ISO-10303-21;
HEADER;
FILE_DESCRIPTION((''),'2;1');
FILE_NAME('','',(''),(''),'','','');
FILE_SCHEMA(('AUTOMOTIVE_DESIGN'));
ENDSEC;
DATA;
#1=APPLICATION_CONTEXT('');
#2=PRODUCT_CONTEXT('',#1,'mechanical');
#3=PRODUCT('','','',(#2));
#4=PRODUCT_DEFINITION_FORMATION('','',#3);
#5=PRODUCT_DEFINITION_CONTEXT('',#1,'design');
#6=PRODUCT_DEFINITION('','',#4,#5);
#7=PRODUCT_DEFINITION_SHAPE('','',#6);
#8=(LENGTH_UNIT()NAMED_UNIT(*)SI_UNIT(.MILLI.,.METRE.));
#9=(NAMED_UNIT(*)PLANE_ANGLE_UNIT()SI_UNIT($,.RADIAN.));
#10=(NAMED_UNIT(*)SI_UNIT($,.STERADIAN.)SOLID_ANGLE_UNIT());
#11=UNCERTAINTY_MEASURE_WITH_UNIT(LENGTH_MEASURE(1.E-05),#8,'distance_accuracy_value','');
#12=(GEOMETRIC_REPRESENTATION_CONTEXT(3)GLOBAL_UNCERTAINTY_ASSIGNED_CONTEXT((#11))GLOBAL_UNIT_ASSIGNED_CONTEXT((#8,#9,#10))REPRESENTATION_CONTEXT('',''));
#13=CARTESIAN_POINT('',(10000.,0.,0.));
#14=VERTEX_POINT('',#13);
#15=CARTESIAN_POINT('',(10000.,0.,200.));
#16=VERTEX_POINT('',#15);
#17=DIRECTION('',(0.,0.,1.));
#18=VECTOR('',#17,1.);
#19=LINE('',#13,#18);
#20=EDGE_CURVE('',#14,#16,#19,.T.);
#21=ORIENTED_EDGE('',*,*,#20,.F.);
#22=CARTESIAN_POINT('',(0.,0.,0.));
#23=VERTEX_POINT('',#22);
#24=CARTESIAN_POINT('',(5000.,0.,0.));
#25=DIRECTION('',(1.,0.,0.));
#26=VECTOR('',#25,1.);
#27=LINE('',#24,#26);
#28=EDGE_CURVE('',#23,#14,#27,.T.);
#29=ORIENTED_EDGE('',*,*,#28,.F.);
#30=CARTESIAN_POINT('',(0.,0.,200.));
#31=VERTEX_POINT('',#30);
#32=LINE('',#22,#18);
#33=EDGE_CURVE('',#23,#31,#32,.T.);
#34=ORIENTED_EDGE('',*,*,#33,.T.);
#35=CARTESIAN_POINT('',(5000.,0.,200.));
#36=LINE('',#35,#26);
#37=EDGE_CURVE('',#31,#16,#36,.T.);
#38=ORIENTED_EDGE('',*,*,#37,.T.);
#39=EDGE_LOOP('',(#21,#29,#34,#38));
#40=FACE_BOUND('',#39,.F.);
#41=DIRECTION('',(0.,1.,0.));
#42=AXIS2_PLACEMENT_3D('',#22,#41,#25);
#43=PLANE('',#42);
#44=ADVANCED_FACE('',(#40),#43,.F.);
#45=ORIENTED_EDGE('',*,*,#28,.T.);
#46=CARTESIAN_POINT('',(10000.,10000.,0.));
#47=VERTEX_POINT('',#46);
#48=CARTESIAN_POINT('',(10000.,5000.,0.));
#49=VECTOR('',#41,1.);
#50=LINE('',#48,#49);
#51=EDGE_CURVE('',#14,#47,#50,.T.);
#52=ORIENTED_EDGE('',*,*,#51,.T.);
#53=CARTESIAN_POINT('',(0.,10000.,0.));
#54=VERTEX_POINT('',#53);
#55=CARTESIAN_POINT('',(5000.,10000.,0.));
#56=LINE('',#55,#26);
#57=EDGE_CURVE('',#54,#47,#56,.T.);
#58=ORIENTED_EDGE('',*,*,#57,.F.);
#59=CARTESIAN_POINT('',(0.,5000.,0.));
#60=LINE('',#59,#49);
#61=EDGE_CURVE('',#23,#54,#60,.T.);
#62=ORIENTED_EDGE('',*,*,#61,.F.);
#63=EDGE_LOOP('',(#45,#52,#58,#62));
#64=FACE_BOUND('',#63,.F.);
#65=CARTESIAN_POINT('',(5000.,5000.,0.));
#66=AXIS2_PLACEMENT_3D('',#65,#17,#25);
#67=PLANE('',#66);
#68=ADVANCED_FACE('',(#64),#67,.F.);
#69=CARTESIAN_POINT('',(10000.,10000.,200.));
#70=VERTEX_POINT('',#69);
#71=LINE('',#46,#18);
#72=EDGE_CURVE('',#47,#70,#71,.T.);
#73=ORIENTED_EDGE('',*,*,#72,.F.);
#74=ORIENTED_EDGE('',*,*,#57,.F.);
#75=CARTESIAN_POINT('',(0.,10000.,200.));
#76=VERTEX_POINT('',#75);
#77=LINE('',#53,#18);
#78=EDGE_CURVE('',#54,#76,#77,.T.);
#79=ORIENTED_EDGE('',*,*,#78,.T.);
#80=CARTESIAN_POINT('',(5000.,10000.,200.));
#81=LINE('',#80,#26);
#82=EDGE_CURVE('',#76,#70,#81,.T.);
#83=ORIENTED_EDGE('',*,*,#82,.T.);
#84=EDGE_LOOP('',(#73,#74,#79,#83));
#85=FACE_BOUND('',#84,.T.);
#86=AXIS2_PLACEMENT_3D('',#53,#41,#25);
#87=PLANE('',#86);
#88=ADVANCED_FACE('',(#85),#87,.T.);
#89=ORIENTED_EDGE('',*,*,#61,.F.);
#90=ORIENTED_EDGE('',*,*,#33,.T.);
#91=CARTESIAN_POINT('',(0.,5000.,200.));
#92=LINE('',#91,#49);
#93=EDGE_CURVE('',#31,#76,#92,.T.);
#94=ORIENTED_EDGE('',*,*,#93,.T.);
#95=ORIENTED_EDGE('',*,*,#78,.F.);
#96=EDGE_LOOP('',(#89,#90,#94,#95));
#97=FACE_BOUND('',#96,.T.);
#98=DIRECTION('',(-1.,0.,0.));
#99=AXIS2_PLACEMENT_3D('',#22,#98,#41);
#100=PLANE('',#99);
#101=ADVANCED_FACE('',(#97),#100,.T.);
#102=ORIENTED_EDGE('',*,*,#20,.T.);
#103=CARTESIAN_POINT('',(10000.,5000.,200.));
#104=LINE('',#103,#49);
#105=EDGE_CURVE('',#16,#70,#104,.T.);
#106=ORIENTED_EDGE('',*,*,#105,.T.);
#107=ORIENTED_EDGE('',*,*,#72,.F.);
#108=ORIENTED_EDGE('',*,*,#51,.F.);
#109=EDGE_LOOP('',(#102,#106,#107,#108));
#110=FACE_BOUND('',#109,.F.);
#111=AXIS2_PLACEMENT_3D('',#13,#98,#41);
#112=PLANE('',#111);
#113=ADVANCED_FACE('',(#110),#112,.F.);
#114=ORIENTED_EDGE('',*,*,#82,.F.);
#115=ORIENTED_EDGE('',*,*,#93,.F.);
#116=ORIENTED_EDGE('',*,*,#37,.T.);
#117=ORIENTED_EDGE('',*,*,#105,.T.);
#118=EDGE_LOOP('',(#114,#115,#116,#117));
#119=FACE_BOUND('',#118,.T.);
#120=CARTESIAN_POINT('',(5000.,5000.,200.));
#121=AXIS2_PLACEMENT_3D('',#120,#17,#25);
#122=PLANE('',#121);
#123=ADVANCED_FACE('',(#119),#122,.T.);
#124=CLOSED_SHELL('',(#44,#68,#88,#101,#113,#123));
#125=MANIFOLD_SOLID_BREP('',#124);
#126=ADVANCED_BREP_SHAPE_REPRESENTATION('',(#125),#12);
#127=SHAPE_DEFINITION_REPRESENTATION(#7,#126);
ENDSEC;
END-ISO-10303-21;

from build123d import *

# Parameters (mm, degrees)
BOX_W     = 10000
BOX_H     = 10000
BOX_DEPTH = 200


with BuildPart() as part:
    # Box → Box (new body)
    with BuildSketch(Plane.XY):
        with Locations((5000, 5000)):
            Rectangle(BOX_W, BOX_H)
    extrude(amount=BOX_DEPTH)


solid = part.part
